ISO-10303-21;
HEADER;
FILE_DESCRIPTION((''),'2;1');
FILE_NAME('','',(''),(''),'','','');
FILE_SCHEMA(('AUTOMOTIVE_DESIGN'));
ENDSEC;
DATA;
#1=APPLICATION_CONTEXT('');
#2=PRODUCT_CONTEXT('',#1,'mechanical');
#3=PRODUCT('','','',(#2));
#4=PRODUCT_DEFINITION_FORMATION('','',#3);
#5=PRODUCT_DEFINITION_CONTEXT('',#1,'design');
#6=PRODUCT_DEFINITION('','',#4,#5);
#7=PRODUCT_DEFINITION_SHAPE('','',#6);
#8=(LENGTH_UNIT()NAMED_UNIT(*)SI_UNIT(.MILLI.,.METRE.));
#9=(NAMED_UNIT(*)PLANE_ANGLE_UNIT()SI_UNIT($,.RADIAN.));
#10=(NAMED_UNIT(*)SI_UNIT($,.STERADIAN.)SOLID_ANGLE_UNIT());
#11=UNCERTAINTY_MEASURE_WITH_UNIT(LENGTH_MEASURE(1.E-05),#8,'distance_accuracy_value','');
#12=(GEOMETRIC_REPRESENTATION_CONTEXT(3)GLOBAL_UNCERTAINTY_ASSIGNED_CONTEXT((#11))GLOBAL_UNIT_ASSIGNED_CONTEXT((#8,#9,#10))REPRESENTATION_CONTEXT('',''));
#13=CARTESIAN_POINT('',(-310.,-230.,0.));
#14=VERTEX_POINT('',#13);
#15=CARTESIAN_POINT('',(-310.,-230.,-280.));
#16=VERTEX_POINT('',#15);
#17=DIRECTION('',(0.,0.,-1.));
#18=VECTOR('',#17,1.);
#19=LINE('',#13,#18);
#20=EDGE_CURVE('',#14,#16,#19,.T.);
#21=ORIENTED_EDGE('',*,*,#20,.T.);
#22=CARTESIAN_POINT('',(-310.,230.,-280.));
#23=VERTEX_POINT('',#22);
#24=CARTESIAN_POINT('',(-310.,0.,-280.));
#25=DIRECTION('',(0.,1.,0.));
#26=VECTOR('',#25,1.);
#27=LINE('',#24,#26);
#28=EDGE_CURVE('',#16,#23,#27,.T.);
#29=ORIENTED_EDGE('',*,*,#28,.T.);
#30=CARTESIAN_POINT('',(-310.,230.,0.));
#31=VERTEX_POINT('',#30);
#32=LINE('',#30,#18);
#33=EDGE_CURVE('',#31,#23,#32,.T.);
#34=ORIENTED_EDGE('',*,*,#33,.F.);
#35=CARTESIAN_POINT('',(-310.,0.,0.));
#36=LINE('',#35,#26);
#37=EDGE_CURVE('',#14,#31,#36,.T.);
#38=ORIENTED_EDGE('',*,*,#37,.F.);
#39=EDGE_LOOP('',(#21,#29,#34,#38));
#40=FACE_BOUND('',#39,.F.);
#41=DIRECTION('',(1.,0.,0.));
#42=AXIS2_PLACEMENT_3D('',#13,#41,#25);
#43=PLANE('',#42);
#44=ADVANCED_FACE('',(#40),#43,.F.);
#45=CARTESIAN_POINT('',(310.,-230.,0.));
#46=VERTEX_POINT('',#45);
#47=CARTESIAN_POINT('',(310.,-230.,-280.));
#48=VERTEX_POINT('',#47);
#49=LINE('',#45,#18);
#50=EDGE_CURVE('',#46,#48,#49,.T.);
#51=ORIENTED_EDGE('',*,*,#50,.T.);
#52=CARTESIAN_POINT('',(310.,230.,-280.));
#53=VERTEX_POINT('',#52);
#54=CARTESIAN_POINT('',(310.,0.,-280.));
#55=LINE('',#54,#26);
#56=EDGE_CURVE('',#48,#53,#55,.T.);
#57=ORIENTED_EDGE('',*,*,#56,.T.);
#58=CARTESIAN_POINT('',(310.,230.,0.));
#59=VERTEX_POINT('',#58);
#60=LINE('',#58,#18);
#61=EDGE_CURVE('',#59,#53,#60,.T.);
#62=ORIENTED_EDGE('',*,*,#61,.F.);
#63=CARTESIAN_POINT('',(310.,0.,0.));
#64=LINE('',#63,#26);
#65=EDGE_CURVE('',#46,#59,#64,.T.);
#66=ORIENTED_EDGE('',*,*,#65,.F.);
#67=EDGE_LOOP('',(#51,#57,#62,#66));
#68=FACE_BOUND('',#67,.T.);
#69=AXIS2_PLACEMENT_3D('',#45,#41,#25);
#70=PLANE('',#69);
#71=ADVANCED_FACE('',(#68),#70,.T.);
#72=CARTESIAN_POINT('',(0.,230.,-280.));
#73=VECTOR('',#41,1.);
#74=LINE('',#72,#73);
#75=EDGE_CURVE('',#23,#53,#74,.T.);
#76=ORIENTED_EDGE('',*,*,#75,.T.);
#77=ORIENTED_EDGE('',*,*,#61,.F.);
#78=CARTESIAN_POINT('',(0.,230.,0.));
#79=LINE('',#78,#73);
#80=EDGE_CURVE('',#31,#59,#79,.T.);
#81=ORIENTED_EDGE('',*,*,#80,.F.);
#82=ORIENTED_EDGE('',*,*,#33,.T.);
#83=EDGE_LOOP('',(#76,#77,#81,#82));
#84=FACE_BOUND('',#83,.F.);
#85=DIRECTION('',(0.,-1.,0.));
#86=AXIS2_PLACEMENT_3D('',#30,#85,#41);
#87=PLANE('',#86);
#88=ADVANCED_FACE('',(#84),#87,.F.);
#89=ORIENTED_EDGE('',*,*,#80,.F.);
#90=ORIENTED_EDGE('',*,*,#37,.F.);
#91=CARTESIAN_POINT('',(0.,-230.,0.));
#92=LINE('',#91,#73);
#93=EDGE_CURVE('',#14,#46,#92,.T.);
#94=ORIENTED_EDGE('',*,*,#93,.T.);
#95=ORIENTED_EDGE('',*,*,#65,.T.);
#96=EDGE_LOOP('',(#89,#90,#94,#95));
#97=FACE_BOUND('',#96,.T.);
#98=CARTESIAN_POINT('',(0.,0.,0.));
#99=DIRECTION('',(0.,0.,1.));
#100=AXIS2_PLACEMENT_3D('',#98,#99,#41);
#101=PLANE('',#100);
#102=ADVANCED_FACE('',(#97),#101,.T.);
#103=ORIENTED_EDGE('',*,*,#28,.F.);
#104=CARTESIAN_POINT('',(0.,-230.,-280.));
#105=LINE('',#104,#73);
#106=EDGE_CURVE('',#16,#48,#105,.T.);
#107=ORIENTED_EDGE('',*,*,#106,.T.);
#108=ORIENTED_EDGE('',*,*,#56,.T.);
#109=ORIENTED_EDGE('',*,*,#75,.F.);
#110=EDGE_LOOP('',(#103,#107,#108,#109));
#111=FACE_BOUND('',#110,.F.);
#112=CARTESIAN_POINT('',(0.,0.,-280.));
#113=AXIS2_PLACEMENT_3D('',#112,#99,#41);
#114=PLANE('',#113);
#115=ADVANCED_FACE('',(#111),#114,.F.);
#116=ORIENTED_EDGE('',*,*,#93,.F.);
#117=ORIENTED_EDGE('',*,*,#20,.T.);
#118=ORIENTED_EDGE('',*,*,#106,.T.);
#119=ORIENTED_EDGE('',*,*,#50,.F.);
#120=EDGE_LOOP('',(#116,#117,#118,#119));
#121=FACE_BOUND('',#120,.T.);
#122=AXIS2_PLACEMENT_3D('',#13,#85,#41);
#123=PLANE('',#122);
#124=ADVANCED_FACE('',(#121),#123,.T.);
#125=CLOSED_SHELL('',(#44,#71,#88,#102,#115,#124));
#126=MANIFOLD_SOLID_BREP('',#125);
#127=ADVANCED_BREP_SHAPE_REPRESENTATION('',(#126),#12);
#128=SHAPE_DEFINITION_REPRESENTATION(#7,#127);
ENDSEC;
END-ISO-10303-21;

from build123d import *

# Parameters (mm, degrees)
F0_W     = 620
F0_H     = 460
F0_W_2   = 480
F0_H_2   = 45
F1_DEPTH = 280


with BuildPart() as f1:
    # F0 (on Top) → F1 (new body)
    with BuildSketch(Plane.XY):
        Rectangle(F0_W, F0_H)
        with Locations((0, -157.5)):
            Rectangle(F0_W_2, F0_H_2, mode=Mode.SUBTRACT)
        with Locations((0, -62.5)):
            Rectangle(F0_W_2, F0_H_2, mode=Mode.SUBTRACT)
        with Locations((0, 32.5)):
            Rectangle(F0_W_2, F0_H_2, mode=Mode.SUBTRACT)
        with Locations((0, 32.5)):
            Rectangle(F0_W_2, F0_H_2)
        with Locations((0, -62.5)):
            Rectangle(F0_W_2, F0_H_2)
        with Locations((0, -157.5)):
            Rectangle(F0_W_2, F0_H_2)
    extrude(amount=-F1_DEPTH)


solid = f1.part
